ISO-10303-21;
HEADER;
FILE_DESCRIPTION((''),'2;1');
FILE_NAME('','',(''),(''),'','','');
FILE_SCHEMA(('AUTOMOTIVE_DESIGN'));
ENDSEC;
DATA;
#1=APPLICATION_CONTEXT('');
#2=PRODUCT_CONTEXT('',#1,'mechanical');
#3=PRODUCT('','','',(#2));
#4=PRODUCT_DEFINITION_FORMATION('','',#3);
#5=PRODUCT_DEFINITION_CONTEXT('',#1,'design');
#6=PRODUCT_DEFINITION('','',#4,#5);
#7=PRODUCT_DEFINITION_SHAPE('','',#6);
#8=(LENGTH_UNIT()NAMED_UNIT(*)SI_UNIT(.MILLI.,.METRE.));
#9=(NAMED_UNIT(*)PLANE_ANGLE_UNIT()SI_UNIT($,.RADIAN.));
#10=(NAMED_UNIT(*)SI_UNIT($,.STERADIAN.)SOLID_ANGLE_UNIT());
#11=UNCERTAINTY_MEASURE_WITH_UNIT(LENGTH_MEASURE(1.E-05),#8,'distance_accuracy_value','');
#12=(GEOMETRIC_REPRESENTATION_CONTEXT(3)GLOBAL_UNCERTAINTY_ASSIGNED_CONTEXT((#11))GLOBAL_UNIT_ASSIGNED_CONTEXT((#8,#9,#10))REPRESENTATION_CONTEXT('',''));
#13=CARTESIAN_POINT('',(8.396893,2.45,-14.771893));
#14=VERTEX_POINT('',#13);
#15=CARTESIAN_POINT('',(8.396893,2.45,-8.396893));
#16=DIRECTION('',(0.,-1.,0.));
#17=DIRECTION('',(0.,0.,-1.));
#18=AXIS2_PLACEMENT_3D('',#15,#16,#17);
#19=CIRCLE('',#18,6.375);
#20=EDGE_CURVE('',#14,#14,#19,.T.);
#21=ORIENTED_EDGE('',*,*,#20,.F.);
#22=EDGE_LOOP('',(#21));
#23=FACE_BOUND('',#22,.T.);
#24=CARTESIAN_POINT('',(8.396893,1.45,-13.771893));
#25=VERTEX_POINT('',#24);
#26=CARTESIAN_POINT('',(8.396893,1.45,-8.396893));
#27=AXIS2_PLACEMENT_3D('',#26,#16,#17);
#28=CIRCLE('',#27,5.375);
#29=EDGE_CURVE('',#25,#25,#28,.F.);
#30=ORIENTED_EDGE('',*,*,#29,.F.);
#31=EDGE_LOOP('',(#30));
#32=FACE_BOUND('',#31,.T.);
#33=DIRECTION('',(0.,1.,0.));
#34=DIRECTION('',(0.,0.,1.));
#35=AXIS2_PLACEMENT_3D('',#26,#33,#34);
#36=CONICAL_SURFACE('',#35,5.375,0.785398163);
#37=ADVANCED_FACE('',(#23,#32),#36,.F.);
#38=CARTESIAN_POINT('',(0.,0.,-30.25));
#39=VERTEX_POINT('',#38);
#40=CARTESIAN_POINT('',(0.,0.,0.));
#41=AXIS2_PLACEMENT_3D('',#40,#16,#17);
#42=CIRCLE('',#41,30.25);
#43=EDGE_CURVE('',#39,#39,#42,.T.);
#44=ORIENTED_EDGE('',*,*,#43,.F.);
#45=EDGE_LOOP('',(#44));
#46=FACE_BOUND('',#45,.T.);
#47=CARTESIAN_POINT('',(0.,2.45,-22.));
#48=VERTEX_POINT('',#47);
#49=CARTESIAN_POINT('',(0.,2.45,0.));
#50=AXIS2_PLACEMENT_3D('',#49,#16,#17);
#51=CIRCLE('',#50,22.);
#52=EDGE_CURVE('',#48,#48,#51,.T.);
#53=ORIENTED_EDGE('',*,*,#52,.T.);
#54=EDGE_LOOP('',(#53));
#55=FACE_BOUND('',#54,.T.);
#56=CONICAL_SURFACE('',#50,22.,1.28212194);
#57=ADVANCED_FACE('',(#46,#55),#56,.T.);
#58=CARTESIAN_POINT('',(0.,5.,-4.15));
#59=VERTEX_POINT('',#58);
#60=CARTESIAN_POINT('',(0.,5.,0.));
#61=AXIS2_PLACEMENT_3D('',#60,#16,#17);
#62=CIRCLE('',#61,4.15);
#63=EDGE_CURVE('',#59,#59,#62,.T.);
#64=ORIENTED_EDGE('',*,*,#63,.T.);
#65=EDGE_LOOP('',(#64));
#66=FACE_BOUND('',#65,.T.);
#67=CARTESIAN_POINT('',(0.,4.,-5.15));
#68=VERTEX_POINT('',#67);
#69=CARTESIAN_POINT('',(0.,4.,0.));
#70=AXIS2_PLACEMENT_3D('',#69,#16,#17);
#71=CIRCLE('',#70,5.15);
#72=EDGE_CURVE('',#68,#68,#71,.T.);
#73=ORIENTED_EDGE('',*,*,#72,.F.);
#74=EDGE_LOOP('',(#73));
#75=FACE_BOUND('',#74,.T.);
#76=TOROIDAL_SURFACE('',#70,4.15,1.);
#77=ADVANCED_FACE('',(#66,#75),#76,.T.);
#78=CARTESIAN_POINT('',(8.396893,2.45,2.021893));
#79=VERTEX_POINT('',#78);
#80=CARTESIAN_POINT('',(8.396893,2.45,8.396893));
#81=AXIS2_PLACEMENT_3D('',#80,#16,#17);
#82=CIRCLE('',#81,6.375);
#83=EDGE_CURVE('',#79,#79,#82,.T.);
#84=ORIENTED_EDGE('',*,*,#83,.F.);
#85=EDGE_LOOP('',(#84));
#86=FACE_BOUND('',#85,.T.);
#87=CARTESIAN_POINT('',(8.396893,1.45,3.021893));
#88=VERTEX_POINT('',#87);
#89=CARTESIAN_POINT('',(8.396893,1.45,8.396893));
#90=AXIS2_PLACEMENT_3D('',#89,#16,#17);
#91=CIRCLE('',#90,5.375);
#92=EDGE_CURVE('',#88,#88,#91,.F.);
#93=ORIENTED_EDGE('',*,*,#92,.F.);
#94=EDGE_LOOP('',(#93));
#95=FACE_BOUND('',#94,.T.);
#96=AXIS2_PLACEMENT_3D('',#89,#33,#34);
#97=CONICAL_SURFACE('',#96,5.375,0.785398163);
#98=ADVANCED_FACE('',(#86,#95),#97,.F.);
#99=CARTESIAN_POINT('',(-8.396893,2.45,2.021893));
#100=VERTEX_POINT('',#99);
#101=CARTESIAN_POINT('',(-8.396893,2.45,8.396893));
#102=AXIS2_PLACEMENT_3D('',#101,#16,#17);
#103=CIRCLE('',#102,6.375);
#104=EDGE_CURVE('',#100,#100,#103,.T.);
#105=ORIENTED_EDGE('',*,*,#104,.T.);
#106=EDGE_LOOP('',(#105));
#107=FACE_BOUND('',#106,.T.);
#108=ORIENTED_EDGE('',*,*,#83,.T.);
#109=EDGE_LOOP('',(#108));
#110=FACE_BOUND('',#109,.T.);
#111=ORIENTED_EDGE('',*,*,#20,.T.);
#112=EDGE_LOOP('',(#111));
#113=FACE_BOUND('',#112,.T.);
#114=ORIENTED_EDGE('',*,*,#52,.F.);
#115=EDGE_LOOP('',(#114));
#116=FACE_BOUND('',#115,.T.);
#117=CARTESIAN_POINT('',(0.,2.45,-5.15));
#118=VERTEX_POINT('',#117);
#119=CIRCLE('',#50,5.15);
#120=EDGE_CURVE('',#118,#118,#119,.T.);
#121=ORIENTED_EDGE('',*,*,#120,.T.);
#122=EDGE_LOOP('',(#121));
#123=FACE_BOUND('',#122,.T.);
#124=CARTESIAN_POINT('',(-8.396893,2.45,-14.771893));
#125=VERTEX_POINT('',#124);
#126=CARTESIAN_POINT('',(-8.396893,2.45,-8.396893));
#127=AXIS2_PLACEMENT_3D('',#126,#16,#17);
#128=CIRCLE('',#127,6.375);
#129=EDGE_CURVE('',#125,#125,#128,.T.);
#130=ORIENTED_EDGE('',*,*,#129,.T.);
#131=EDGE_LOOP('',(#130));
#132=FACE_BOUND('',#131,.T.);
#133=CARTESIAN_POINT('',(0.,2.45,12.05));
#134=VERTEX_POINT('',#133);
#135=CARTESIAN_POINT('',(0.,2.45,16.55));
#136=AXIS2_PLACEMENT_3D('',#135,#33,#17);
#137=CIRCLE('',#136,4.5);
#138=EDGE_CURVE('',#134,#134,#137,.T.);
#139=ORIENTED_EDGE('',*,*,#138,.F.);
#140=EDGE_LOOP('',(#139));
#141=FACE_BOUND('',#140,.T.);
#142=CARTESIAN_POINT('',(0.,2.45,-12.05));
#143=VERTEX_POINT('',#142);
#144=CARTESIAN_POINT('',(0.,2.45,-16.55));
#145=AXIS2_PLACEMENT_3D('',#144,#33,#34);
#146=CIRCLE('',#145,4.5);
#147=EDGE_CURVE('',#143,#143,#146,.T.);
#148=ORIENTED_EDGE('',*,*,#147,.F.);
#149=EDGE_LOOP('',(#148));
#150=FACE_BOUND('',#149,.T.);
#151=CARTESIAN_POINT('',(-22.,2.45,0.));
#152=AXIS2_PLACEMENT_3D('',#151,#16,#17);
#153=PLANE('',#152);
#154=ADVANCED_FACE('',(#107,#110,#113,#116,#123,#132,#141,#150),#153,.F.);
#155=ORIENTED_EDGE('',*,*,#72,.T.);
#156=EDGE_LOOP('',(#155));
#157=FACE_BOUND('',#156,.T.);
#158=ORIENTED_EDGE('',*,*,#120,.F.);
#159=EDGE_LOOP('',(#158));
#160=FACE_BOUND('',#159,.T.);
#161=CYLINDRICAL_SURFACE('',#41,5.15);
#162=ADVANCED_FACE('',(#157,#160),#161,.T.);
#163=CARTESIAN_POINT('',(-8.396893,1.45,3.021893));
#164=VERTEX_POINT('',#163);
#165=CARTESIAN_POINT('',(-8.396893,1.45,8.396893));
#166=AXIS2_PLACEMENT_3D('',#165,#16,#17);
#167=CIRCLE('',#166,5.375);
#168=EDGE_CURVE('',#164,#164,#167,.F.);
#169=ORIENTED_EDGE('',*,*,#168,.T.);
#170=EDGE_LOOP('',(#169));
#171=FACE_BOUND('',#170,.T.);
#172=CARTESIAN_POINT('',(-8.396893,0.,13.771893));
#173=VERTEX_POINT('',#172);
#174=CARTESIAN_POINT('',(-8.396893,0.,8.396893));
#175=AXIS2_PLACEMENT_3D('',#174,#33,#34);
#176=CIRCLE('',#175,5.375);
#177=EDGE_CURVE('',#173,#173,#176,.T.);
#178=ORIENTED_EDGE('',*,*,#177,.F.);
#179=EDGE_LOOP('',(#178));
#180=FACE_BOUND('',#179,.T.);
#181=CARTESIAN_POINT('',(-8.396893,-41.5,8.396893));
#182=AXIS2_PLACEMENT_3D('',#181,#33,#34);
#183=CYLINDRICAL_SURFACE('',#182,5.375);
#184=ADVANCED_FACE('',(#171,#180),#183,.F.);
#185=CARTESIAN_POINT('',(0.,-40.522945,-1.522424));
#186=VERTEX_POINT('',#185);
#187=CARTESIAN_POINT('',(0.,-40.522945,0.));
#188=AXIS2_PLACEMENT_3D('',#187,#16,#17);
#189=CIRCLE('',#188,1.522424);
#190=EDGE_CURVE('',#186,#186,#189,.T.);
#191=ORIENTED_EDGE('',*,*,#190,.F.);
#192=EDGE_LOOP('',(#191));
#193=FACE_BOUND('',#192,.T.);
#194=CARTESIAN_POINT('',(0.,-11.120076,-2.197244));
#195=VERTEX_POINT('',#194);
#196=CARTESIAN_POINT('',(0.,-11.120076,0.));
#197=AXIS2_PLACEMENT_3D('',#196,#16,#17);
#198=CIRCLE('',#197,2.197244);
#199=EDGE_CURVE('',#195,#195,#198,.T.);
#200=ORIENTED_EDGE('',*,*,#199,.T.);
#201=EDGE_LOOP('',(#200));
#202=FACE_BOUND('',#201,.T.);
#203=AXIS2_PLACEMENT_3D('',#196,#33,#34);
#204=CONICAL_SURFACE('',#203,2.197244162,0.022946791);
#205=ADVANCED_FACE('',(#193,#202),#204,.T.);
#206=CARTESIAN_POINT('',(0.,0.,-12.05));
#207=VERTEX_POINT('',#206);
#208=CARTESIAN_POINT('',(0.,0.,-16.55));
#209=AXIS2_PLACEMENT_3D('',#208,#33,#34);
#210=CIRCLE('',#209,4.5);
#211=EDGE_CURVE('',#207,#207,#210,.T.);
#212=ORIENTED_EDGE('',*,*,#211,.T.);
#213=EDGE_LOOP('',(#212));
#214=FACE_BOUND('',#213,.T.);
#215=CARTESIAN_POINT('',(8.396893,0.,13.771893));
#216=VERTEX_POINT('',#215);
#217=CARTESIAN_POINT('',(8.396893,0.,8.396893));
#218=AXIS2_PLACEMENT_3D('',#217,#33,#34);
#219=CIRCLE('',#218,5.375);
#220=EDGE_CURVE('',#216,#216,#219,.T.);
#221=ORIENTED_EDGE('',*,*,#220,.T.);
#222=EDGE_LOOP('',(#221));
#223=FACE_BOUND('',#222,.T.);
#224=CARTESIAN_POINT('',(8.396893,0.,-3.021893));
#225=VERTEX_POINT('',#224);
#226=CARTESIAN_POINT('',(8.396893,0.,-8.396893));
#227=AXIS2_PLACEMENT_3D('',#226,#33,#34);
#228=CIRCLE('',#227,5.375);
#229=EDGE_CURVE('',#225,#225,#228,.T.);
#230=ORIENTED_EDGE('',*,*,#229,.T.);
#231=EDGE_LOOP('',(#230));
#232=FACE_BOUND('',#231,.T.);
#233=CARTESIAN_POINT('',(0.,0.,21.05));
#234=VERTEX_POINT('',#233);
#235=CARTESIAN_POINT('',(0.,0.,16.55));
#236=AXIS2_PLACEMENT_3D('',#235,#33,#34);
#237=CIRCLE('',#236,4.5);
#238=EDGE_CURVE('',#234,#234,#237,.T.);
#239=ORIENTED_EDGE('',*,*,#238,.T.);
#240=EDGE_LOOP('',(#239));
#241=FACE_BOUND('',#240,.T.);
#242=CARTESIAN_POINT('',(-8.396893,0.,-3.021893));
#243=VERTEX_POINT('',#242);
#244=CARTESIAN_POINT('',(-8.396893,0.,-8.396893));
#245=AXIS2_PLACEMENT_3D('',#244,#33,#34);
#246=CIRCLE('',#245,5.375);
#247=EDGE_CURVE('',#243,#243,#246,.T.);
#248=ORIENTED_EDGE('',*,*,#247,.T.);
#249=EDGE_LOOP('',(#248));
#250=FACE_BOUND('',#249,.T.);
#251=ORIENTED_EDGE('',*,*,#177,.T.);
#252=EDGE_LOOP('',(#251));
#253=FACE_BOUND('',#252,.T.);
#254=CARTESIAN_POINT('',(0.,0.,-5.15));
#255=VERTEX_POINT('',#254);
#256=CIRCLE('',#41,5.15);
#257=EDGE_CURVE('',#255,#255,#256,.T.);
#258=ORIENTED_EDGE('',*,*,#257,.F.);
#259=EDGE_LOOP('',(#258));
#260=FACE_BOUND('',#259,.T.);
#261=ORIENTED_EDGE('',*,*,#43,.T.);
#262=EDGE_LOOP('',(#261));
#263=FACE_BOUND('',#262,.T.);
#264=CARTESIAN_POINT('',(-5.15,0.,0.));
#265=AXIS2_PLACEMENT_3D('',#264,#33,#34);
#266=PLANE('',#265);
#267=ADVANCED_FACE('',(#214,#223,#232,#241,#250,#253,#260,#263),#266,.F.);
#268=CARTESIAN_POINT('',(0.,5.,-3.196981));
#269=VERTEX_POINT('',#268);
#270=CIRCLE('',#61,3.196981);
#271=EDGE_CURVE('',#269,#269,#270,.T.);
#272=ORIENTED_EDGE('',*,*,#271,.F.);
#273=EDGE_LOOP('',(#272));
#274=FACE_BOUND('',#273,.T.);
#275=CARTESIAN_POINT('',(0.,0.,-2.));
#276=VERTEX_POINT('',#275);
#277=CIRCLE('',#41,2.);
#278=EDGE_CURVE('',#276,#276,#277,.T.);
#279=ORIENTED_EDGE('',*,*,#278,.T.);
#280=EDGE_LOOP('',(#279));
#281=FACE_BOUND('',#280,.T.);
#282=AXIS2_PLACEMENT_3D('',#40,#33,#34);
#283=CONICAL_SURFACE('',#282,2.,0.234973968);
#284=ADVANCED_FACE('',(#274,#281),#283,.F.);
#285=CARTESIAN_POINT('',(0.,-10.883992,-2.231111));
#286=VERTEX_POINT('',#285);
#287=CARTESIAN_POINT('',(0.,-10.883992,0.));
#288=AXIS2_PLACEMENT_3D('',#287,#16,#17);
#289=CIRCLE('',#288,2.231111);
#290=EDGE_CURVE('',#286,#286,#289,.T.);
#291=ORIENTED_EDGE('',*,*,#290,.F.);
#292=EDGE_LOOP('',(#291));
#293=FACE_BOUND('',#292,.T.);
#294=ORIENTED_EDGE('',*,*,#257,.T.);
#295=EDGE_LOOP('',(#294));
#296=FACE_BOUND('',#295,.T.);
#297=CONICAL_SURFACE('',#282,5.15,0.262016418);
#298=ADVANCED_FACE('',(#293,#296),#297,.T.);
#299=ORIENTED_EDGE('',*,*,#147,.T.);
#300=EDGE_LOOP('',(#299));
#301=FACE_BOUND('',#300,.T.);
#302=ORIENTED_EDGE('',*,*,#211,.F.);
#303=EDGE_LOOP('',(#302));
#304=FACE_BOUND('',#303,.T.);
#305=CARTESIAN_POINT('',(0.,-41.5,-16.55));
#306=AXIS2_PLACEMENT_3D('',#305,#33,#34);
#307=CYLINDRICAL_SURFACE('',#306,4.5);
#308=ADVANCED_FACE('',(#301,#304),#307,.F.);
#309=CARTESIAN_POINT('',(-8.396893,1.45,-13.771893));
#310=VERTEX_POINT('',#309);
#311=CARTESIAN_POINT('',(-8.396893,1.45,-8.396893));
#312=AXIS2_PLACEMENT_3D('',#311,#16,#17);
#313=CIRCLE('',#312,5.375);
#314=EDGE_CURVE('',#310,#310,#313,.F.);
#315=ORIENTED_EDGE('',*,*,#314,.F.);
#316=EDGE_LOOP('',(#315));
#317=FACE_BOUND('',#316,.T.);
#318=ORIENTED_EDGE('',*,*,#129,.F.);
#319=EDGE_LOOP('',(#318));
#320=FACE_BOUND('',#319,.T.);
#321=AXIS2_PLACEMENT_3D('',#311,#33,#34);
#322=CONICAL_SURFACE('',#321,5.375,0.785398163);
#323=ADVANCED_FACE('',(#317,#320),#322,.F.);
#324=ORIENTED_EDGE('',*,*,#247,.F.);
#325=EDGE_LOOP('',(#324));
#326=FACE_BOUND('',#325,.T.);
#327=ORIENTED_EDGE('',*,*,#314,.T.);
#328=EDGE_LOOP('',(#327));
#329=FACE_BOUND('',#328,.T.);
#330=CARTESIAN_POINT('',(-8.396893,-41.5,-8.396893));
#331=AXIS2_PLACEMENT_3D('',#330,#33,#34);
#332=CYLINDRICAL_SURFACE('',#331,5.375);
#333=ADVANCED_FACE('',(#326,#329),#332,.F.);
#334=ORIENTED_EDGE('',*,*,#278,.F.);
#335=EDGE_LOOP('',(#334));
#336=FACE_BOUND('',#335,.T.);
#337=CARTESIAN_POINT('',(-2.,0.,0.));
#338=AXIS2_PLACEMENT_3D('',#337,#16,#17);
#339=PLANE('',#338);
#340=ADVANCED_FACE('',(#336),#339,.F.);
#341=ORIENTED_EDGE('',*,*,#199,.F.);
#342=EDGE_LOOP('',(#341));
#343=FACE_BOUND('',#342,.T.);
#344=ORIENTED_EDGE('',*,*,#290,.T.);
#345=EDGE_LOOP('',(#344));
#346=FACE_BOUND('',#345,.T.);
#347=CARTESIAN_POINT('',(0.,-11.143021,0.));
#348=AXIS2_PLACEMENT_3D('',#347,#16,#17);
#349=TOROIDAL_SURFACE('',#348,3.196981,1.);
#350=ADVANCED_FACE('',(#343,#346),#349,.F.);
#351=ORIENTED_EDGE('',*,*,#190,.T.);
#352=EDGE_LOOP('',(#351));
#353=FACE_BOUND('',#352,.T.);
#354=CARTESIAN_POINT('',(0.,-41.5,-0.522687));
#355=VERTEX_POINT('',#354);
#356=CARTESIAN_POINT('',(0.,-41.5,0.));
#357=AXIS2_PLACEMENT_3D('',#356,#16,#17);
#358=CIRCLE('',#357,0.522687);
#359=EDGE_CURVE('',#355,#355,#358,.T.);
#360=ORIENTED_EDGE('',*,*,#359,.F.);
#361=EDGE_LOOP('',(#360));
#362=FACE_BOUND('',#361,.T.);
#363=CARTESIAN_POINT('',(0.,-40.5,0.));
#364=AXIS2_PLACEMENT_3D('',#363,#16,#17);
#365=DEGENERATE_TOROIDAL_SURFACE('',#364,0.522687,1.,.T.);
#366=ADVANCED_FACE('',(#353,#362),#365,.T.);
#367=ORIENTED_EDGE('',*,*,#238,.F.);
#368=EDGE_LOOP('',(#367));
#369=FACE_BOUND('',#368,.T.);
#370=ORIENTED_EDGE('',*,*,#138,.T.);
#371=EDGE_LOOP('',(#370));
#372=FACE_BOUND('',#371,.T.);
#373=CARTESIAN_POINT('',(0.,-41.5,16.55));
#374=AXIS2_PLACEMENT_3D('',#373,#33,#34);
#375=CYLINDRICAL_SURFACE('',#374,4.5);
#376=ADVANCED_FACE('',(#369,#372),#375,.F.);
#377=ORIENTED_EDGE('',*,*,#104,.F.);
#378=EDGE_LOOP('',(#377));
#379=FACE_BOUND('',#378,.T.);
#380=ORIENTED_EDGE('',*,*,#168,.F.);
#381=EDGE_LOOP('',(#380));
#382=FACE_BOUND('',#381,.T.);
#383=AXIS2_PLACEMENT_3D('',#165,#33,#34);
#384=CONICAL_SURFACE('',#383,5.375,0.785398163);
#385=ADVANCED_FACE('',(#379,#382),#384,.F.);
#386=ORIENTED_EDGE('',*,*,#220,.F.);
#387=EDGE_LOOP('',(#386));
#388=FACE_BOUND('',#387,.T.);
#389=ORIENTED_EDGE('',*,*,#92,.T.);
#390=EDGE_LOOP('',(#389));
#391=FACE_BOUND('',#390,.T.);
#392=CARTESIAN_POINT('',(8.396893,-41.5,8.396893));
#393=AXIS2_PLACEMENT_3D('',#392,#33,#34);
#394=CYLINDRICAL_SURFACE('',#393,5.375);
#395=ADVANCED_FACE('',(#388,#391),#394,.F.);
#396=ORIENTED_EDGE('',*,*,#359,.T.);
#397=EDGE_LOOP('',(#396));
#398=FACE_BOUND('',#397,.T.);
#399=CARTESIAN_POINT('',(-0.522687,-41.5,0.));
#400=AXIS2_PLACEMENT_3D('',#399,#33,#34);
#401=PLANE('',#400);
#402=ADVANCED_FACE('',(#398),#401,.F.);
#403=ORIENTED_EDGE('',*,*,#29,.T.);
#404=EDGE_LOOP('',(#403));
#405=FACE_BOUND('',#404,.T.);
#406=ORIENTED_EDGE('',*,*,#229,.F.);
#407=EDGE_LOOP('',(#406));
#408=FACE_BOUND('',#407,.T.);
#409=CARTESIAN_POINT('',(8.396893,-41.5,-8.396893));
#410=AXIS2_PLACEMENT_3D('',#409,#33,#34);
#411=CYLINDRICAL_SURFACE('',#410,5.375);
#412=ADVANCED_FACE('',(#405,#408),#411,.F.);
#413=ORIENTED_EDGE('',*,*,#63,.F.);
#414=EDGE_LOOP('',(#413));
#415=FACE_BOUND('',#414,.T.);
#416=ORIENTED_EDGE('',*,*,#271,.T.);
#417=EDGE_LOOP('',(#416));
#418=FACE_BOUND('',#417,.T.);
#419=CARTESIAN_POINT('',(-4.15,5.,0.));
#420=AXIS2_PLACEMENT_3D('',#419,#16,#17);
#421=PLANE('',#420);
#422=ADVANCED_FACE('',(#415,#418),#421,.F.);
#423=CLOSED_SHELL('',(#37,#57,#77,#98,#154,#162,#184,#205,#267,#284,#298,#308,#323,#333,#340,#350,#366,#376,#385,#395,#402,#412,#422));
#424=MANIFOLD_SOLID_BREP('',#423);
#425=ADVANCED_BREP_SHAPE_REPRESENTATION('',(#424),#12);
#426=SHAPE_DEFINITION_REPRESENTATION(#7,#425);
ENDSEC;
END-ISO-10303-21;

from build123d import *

# Parameters (mm, degrees)
ESQUISSE2_R             = 4.5
ESQUISSE2_R_2           = 5.375
ENL_V_MAT_EXTRU_1_DEPTH = 62.33292353
CHANFREIN2_SIZE         = 1


with BuildPart() as part:
    # Esquisse1 → Révolution1 (revolve)
    with BuildSketch(Plane.XY, mode=Mode.PRIVATE) as r_volution1_sk:
        with BuildLine():
            Line((-5.15, 0), (-30.25, 0))
            Line((-30.25, 0), (-22, 2.45))
            Line((-22, 2.45), (-5.15, 2.45))
            Line((-5.15, 2.45), (-5.15, 4))
            ThreePointArc((-5.15, 4), (-4.857106781, 4.707106781), (-4.15, 5))
            Line((-4.15, 5), (-3.196980896, 5))
            Line((-3.196980896, 5), (-2, 0))
            Line((-2, 0), (0, 0))
            Line((0, 0), (0, -41.5))
            Line((0, -41.5), (-0.522687484, -41.5))
            ThreePointArc((-0.522687484, -41.5), (-1.221634987, -41.215172978), (-1.522424218, -40.522944778))
            Line((-1.522424218, -40.522944778), (-2.197244162, -11.120075793))
            ThreePointArc((-2.197244162, -11.120075793), (-2.207114239, -11.001020564), (-2.231111264, -10.883991897))
            Line((-2.231111264, -10.883991897), (-5.15, 0))
        make_face()
    revolve(r_volution1_sk.sketch.rotate(Axis((0, 0, 0), (0, 1, 0)), 270), axis=Axis((0, 0, 0), (0, 1, 0)))

    # Esquisse2 → Enlèv. mat.-Extru.1 (cut, through all)
    with BuildSketch(Plane(origin=(0, 2.45, 0), x_dir=(1, 0, 0), z_dir=(0, 1, 0))):
        with Locations(Location((0, 16.55, 0), (0, 0, 270))):
            Circle(ESQUISSE2_R)
        with Locations(Location((-8.396893027, 8.396893027, 0), (0, 0, 270))):
            Circle(ESQUISSE2_R_2)
        with Locations(Location((8.396893027, 8.396893027, 0), (0, 0, 270))):
            Circle(ESQUISSE2_R_2)
        with Locations(Location((8.396893027, -8.396893027, 0), (0, 0, 270))):
            Circle(ESQUISSE2_R_2)
        with Locations(Location((0, -16.55, 0), (0, 0, 270))):
            Circle(ESQUISSE2_R)
        with Locations(Location((-8.396893027, -8.396893027, 0), (0, 0, 270))):
            Circle(ESQUISSE2_R_2)
    extrude(amount=-ENL_V_MAT_EXTRU_1_DEPTH, mode=Mode.SUBTRACT)

    # Chanfrein2
    chanfrein2_edges = [part.edges().sort_by_distance(p)[0] for p in [
        (-8.396893027, 2.45, -13.771893027),
        (8.396893027, 2.45, 3.021893027),
        (8.396893027, 2.45, -13.771893027),
        (-8.396893027, 2.45, 3.021893027),
    ]]
    chamfer(chanfrein2_edges, length=CHANFREIN2_SIZE)


solid = part.part
